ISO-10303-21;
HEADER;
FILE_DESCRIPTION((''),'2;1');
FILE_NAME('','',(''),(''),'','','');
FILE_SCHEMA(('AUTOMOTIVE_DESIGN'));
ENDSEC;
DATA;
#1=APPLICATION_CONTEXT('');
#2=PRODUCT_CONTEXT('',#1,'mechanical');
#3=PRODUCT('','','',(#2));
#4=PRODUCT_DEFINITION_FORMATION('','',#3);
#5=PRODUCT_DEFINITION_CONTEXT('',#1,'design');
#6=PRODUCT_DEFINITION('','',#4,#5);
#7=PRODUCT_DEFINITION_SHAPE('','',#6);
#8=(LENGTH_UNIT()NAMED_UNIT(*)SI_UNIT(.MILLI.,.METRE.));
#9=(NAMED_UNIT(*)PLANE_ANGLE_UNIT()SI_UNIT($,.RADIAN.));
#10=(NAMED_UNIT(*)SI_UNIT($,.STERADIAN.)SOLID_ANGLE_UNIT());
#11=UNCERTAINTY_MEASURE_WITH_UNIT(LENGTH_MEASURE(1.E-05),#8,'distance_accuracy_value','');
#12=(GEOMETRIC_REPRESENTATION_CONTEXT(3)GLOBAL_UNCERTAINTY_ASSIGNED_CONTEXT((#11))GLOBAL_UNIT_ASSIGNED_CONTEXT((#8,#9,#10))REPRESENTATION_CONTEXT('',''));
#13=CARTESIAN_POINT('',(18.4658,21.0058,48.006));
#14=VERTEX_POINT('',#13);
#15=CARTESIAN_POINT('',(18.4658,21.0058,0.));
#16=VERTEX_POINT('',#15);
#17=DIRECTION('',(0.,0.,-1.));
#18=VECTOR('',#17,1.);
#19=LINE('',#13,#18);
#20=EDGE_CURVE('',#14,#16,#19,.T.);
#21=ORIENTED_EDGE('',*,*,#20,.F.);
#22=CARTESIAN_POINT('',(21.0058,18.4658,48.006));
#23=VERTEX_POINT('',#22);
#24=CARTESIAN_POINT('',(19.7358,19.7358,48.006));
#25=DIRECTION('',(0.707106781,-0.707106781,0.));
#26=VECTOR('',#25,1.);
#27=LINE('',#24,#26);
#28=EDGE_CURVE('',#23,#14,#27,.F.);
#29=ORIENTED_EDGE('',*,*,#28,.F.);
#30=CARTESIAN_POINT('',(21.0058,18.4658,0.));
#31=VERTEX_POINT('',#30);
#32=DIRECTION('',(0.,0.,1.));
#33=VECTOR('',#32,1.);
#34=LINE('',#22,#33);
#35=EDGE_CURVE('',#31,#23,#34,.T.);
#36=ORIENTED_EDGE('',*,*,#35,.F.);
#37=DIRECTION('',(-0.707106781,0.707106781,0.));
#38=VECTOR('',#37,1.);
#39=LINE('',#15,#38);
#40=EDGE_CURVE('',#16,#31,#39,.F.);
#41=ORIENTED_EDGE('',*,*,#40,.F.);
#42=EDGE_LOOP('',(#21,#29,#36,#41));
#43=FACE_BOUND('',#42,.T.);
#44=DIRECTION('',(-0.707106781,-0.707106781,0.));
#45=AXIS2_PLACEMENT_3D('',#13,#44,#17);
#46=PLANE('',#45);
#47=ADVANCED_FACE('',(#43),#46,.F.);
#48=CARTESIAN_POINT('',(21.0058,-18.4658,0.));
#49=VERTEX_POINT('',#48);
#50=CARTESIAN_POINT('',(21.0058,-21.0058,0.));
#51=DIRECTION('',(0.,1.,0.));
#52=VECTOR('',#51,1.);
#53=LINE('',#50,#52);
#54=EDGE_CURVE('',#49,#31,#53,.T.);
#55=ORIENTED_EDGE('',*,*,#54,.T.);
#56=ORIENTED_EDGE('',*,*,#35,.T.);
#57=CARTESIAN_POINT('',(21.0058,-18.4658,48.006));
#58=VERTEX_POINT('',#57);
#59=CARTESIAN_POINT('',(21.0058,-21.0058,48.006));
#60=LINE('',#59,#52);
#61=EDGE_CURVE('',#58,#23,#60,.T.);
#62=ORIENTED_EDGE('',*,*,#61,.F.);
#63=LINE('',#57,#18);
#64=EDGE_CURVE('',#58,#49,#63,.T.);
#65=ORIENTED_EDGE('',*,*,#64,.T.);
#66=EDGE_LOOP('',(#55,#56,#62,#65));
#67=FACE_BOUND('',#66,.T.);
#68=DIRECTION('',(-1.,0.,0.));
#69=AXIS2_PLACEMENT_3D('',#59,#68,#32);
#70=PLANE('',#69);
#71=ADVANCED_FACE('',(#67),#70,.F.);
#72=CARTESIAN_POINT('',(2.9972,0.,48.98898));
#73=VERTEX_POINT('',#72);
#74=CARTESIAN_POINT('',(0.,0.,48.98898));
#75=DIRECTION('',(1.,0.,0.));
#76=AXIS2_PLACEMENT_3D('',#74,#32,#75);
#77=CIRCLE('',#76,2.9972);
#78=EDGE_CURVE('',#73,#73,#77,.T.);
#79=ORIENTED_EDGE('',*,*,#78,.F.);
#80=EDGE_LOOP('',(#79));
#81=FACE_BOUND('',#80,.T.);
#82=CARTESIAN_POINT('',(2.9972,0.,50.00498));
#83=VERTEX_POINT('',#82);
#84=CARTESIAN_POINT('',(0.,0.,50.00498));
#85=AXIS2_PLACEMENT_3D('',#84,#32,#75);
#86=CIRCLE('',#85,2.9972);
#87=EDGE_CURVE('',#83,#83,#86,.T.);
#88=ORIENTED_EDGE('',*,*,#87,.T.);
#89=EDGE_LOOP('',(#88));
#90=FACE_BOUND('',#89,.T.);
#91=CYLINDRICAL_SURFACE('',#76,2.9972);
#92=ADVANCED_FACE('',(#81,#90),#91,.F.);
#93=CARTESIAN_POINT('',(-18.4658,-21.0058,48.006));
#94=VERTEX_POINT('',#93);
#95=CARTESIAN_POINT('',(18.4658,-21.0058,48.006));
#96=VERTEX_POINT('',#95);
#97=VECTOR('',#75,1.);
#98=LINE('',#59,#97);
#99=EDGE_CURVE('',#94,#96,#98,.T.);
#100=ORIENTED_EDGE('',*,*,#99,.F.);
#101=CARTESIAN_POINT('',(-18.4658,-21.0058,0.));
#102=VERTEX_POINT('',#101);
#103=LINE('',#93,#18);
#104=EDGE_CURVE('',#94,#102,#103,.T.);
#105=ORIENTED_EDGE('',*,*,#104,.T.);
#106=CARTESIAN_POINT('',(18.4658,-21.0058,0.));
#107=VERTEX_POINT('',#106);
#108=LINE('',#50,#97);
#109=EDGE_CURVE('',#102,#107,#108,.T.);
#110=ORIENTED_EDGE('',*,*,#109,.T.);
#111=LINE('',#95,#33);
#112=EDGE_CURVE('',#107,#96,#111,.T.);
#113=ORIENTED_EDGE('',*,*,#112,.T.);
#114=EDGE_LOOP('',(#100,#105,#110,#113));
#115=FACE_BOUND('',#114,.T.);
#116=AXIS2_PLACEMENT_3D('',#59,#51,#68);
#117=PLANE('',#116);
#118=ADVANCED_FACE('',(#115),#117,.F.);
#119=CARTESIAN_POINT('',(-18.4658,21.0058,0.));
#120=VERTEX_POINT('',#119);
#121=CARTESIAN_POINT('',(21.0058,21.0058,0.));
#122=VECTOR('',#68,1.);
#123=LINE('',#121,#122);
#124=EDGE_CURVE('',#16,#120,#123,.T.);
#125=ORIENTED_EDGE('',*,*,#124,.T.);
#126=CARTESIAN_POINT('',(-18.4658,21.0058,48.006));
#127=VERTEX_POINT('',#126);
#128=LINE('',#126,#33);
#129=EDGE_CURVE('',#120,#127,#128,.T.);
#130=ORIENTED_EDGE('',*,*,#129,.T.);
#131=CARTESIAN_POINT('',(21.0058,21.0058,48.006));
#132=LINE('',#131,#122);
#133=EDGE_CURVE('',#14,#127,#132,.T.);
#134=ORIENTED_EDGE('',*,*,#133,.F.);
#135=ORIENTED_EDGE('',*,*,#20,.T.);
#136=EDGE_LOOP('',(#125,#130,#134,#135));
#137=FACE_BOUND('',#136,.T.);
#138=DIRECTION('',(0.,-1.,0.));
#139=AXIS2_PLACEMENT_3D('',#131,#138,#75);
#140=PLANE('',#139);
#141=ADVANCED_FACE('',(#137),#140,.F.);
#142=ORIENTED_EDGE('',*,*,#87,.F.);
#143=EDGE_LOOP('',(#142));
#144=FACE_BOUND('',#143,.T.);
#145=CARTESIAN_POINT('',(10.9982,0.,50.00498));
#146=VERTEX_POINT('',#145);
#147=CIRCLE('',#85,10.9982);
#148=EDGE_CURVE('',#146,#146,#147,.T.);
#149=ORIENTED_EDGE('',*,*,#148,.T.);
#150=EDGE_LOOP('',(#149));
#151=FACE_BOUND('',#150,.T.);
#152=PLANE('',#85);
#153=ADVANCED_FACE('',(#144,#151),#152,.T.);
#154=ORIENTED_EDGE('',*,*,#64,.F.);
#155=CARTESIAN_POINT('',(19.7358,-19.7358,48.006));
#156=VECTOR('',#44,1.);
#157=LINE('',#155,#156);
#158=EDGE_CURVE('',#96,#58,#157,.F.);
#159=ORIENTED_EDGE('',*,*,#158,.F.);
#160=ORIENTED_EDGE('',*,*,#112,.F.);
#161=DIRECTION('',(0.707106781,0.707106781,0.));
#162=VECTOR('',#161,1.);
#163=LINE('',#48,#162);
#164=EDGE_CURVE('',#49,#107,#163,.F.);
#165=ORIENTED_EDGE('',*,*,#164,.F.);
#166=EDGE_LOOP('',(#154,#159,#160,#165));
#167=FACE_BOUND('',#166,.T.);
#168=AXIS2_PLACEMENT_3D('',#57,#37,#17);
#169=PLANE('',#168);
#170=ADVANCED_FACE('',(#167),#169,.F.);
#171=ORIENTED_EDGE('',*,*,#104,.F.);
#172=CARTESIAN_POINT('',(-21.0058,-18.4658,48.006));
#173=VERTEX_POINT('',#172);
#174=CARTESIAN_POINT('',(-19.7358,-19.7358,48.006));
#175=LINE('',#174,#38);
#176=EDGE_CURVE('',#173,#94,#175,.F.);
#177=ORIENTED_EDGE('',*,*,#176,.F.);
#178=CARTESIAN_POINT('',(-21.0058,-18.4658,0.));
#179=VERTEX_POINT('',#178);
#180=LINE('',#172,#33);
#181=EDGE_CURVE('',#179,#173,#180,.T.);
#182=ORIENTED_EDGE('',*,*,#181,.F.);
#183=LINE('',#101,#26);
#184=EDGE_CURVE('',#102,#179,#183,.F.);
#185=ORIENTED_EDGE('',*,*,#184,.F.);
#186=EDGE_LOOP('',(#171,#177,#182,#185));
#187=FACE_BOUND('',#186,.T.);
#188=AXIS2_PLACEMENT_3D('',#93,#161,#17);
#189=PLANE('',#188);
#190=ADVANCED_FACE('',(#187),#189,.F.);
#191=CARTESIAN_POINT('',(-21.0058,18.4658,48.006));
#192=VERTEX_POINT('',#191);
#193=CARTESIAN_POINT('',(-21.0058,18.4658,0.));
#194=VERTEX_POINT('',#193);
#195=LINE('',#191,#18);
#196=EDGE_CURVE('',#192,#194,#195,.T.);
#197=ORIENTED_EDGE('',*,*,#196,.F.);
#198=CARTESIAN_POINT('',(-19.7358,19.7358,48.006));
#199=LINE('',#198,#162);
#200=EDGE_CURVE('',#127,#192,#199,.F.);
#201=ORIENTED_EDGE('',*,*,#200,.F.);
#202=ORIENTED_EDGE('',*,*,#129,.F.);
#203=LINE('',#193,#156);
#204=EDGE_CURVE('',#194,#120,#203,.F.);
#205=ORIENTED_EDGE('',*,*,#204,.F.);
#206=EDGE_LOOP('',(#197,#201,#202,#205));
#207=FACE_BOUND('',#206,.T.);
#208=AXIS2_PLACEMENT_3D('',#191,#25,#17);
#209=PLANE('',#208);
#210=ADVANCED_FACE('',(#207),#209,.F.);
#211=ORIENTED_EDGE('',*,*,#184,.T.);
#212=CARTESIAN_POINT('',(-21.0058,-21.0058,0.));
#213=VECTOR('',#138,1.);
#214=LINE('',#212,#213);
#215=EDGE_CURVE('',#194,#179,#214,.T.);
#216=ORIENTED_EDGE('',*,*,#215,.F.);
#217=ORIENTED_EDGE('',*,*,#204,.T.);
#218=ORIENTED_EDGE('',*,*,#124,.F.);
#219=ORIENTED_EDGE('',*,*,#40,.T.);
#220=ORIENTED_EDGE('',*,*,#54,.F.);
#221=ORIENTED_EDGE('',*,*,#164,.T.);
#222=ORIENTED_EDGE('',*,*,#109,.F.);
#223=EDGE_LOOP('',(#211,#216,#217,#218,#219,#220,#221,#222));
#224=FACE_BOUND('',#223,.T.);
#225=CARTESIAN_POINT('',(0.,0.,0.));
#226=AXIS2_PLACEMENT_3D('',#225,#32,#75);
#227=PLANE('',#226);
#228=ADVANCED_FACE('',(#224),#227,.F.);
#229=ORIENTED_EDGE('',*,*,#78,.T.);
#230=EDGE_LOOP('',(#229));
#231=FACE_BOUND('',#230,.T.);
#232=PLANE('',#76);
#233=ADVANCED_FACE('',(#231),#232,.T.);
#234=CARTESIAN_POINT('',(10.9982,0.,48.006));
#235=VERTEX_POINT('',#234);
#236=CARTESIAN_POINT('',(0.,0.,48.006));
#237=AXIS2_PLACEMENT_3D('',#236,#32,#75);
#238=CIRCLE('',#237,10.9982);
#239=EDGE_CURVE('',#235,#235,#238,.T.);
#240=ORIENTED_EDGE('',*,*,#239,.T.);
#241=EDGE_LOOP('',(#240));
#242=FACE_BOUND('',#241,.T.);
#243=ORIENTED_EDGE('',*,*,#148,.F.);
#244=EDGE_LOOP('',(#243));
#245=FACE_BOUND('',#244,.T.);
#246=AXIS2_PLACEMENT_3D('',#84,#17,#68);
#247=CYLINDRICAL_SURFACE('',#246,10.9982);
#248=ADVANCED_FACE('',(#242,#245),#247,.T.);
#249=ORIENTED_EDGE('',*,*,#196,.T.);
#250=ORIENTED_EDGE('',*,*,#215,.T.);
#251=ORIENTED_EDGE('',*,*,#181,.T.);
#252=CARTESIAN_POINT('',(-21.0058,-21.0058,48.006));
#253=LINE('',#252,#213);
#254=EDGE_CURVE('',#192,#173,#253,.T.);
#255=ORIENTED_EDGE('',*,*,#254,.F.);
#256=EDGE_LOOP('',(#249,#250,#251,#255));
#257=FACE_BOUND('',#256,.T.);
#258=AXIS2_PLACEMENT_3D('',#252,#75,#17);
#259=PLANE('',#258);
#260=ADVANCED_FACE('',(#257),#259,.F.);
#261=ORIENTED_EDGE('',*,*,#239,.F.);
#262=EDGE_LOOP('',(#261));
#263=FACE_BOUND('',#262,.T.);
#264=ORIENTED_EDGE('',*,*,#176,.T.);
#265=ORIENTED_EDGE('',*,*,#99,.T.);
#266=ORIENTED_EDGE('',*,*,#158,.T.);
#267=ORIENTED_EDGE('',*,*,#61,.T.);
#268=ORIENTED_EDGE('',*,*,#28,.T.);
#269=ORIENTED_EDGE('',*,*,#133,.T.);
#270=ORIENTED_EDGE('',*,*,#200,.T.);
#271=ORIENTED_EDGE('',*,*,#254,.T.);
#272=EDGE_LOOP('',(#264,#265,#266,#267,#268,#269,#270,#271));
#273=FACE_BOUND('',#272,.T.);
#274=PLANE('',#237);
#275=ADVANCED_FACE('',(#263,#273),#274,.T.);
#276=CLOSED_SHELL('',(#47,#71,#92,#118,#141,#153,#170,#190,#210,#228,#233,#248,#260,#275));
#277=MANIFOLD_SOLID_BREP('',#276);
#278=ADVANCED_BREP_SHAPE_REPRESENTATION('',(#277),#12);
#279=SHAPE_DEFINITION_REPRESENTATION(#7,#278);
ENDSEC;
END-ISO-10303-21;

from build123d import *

# Parameters (mm, degrees)
SKETCH1_W           = 42.0116
SKETCH1_H           = 42.0116
BOSS_EXTRUDE1_DEPTH = 48.006
CHAMFER1_SIZE       = 2.54
SKETCH2_R           = 10.9982
BOSS_EXTRUDE2_DEPTH = 1.99898
SKETCH3_R           = 2.9972
CUT_EXTRUDE1_DEPTH  = 1.016


with BuildPart() as part:
    # Sketch1 → Boss-Extrude1 (new body)
    with BuildSketch(Plane.XY):
        Rectangle(SKETCH1_W, SKETCH1_H)
    extrude(amount=BOSS_EXTRUDE1_DEPTH)

    # Chamfer1
    chamfer1_edges = [part.edges().sort_by_distance(p)[0] for p in [
        (-21.0058, 21.0058, 24.003),
        (21.0058, 21.0058, 24.003),
        (21.0058, -21.0058, 24.003),
        (-21.0058, -21.0058, 24.003),
    ]]
    chamfer(chamfer1_edges, length=CHAMFER1_SIZE)

    # Sketch2 → Boss-Extrude2 (add)
    with BuildSketch(Plane.XY.offset(48.006)):
        Circle(SKETCH2_R)
    extrude(amount=BOSS_EXTRUDE2_DEPTH)

    # Sketch3 → Cut-Extrude1 (cut)
    with BuildSketch(Plane.XY.offset(50.00498)):
        Circle(SKETCH3_R)
    extrude(amount=-CUT_EXTRUDE1_DEPTH, mode=Mode.SUBTRACT)


solid = part.part
